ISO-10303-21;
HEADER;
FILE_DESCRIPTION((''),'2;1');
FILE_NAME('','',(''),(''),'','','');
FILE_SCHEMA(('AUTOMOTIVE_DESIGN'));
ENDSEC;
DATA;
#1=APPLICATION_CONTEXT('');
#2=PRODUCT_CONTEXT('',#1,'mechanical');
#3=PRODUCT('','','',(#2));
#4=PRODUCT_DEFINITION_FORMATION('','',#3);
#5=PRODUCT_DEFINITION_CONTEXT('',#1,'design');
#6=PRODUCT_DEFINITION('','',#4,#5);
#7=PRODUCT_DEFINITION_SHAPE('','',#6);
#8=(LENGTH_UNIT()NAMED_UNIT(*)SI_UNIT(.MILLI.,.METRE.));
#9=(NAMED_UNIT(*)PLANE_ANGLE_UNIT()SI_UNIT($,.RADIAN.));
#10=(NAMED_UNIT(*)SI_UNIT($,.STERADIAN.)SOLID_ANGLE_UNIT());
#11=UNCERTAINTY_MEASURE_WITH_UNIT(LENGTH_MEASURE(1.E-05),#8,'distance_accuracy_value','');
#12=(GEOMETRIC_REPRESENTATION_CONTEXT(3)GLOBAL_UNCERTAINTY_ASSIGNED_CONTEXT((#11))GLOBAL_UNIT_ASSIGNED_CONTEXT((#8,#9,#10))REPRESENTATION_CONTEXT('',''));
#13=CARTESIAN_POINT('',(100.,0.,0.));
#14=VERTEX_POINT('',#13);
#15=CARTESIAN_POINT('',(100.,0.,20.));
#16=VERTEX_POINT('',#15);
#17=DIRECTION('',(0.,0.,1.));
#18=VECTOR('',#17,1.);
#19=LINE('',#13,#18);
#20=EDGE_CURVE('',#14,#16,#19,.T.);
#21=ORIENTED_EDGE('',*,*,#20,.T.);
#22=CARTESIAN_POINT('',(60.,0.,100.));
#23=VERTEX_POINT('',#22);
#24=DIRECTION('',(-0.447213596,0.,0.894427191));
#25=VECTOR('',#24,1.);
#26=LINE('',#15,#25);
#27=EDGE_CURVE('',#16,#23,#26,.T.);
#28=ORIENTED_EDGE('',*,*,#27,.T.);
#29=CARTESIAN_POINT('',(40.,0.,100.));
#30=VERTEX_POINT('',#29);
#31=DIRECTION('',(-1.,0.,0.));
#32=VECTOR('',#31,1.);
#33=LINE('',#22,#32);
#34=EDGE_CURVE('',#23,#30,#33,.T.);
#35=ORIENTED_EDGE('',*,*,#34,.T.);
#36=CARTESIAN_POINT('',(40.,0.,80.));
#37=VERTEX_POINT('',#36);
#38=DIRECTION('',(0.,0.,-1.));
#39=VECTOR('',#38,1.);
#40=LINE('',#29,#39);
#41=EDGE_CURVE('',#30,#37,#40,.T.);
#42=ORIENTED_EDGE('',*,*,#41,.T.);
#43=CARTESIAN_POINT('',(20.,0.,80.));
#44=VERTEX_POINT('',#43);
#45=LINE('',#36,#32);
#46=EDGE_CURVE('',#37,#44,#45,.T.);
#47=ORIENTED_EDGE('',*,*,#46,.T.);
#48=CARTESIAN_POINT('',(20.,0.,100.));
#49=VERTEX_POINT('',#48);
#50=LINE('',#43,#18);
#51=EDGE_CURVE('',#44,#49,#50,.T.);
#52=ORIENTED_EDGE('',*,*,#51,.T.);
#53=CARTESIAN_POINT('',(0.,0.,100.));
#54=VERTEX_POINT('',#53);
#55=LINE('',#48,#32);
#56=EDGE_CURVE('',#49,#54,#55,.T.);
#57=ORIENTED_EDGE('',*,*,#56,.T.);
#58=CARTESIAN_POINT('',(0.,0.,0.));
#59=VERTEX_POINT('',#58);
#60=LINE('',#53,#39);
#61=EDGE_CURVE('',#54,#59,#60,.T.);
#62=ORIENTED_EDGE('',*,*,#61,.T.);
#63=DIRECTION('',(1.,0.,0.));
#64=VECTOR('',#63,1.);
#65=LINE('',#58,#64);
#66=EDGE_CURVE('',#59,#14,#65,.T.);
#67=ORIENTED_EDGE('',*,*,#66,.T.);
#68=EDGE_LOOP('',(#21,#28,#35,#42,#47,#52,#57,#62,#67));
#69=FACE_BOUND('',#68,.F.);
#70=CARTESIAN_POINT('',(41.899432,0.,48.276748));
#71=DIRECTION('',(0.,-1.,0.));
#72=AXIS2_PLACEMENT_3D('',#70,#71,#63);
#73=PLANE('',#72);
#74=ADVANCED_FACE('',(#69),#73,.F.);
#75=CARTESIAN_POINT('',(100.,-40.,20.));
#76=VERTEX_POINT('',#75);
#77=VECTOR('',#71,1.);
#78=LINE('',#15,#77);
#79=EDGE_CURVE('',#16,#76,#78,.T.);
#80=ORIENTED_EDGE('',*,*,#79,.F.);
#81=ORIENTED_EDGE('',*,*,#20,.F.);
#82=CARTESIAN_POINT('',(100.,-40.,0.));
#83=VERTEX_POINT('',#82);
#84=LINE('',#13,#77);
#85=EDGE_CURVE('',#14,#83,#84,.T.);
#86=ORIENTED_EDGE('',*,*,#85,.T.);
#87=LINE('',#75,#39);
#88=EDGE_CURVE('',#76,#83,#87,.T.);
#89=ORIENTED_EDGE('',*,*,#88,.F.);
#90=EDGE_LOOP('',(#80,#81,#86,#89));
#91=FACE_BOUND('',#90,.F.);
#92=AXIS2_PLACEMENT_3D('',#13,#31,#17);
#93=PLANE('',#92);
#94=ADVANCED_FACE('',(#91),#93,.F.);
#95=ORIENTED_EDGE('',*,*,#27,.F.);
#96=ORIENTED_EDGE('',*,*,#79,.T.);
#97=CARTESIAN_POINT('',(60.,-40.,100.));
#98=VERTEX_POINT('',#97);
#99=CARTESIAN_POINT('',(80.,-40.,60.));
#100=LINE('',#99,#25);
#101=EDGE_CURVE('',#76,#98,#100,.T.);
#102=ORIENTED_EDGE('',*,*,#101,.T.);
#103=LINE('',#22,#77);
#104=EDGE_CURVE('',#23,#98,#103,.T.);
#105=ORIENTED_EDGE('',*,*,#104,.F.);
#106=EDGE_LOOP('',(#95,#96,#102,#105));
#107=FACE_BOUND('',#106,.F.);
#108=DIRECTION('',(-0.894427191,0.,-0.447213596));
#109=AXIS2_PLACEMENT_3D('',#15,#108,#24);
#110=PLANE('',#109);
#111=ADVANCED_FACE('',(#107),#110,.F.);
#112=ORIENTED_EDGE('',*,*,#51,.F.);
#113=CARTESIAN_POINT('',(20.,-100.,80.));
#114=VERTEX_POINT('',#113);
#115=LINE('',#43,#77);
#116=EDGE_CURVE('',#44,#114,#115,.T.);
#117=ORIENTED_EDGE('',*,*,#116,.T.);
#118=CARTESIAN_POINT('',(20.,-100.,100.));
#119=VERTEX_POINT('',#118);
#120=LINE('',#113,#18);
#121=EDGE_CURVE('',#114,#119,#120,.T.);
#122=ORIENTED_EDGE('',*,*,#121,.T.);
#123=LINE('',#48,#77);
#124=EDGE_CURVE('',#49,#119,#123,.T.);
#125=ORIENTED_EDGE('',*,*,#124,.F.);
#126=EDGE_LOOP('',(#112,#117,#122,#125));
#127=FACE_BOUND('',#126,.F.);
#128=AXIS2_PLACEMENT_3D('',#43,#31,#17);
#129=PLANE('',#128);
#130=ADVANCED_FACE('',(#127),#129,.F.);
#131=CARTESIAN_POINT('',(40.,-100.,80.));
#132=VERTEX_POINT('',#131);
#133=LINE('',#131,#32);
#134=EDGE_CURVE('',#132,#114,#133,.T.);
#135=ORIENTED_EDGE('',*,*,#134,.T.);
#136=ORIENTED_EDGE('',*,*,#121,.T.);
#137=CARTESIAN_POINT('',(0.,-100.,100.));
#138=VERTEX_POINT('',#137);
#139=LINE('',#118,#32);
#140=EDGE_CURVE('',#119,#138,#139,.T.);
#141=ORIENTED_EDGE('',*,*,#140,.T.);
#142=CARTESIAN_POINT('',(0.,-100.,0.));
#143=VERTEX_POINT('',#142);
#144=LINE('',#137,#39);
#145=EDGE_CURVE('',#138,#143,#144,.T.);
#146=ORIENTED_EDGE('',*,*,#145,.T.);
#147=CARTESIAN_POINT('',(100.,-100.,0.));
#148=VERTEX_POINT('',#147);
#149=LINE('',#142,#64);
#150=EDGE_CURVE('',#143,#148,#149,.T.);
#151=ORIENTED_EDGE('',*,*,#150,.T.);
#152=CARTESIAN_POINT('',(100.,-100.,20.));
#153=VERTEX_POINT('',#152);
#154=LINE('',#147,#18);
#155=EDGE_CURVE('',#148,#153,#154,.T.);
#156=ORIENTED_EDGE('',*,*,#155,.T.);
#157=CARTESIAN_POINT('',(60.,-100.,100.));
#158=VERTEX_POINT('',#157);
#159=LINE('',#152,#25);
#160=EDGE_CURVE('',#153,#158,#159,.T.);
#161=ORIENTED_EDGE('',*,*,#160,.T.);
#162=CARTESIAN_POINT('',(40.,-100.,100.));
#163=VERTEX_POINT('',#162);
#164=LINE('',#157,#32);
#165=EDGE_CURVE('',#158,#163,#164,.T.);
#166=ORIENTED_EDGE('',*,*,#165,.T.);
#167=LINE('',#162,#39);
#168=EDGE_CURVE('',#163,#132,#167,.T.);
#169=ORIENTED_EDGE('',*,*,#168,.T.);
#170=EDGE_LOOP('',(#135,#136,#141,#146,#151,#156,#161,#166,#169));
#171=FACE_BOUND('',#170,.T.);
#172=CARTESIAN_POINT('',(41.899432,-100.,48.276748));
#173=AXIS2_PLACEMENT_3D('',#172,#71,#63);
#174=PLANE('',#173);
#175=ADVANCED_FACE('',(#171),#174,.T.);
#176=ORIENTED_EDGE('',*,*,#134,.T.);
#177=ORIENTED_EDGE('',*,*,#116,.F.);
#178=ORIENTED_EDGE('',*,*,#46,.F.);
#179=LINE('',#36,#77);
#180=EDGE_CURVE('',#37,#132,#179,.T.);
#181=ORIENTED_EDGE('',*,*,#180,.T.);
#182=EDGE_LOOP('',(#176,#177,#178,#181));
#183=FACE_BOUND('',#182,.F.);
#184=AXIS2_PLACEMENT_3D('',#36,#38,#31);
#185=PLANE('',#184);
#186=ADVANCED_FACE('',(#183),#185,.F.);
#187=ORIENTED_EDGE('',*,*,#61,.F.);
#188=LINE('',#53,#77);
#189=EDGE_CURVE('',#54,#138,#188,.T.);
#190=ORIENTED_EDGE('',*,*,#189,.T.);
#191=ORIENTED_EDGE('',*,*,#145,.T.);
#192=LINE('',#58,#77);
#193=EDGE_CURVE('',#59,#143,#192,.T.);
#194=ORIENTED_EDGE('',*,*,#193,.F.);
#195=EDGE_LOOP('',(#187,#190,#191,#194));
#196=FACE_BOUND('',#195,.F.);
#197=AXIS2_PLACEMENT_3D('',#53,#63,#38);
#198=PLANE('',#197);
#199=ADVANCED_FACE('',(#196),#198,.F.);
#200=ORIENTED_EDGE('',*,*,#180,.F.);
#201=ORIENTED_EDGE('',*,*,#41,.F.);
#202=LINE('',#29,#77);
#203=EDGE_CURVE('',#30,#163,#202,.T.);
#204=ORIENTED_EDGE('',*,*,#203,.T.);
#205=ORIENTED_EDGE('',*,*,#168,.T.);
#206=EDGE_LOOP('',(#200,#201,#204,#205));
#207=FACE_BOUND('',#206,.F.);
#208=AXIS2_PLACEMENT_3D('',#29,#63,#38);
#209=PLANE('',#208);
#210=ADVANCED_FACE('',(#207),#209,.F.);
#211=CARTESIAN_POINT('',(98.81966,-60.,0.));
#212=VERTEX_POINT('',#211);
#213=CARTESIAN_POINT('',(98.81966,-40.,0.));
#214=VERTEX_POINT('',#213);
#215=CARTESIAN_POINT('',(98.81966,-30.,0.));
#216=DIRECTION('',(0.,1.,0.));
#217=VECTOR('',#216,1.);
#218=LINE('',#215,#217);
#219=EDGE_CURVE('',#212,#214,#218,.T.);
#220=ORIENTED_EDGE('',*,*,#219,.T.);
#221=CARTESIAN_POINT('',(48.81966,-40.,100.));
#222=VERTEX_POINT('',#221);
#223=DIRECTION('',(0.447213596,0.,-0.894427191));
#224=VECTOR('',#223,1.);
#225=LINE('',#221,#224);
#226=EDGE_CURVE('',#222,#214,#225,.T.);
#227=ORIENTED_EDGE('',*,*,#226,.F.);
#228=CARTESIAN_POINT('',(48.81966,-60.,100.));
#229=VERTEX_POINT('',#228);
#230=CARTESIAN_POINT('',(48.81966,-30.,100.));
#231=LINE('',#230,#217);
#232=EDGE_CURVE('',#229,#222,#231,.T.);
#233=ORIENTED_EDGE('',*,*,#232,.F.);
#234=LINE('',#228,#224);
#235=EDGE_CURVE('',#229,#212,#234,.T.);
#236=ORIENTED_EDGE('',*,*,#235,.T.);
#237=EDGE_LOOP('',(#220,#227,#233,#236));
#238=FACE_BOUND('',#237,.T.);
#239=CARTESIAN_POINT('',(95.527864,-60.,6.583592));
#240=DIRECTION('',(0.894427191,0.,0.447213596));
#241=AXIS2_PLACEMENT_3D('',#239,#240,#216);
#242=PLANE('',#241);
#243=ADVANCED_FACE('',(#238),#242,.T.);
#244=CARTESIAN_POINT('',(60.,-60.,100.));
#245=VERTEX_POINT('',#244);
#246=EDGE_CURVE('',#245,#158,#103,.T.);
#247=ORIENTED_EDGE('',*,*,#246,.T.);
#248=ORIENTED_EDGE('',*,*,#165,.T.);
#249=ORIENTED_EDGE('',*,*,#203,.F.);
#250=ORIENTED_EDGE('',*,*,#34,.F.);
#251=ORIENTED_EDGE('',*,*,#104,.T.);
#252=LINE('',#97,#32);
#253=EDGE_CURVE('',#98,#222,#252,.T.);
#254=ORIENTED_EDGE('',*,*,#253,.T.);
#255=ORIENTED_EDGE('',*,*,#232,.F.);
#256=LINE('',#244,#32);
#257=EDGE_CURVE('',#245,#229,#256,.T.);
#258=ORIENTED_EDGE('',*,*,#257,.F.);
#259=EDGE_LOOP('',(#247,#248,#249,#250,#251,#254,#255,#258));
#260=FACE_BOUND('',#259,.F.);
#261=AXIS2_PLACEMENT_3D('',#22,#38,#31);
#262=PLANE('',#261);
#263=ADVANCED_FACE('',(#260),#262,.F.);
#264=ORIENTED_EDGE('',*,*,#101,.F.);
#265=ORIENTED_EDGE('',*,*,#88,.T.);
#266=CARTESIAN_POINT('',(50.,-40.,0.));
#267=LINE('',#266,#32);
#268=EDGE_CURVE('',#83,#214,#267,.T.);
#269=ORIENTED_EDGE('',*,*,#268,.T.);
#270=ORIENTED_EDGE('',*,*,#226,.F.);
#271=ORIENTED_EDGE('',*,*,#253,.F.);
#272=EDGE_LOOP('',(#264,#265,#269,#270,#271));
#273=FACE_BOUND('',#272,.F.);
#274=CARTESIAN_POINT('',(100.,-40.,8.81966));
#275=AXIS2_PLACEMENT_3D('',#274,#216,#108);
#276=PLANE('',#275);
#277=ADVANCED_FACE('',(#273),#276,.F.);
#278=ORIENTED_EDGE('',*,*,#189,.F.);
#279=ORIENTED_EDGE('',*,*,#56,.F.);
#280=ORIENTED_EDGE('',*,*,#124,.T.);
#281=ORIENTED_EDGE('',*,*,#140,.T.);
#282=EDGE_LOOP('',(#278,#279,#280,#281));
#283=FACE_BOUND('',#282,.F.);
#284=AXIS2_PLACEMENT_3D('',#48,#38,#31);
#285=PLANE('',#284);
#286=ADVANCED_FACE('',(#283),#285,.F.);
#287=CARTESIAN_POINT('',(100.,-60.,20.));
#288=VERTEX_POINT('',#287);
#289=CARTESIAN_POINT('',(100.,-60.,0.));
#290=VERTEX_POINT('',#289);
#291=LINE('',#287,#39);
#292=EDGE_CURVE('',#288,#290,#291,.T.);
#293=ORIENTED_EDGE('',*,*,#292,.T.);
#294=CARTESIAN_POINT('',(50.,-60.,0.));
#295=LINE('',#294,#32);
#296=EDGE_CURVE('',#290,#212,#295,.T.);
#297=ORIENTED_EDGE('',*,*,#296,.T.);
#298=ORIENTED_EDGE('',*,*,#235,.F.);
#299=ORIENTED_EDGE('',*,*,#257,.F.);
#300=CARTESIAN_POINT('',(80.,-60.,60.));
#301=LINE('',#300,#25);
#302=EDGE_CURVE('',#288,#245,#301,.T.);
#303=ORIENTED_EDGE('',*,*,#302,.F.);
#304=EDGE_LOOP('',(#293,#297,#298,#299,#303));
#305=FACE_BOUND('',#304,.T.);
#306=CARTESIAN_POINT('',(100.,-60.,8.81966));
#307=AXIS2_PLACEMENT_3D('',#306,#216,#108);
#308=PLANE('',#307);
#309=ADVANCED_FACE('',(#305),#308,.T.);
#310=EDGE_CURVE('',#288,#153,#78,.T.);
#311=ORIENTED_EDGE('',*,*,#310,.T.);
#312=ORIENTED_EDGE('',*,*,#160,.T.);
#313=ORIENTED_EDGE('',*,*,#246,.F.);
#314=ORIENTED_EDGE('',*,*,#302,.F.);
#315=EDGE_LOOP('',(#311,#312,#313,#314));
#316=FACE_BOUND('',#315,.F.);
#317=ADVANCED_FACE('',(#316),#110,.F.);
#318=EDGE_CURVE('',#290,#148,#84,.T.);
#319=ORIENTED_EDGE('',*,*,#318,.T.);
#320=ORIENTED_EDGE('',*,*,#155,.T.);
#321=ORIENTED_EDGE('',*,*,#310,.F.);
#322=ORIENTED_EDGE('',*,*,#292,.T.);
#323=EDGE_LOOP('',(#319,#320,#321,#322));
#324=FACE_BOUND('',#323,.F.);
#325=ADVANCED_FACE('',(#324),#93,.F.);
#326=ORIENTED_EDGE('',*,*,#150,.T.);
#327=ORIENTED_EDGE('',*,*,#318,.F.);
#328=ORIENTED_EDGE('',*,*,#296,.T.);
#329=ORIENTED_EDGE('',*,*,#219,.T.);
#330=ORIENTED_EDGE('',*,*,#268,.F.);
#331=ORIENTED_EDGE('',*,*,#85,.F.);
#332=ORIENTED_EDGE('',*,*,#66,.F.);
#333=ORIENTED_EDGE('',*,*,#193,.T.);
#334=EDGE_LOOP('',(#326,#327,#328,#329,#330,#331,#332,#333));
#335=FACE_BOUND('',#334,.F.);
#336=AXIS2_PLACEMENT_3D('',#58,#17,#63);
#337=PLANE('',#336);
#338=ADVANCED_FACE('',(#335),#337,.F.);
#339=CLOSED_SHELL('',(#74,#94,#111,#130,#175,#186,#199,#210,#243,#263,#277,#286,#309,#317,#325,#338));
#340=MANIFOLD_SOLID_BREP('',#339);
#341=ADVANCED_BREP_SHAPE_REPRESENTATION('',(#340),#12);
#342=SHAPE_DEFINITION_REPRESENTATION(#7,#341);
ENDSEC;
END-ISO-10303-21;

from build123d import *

# Parameters (mm, degrees)
F1_DEPTH = 100
F2_W     = 20
F2_H     = 89.4427191
F3_DEPTH = 10
F4_DEPTH = 10
F5_DEPTH = 10
F6_DEPTH = 10


with BuildPart() as f1:
    # F0 (on Front) → F1 (new body)
    with BuildSketch(Plane.XZ):
        Polygon((0, 100), (0, 0), (100, 0), (100, 20), (60, 100), (40, 100), (40, 80), (20, 80), (20, 100), align=None)
    extrude(amount=F1_DEPTH)

    # F2 (on face) → F3 (cut)
    with BuildSketch(Plane(origin=(88, 0, 44), x_dir=(0, 1, 0), z_dir=(0.894427191, 0, 0.4472135955))):
        with Locations((-50, 17.88854382)):
            Rectangle(F2_W, F2_H)
    extrude(amount=-F3_DEPTH, mode=Mode.SUBTRACT)

    # F4 (cut): a face of the model
    f4_faces = [f1.faces().sort_by_distance(p)[0] for p in [
        (55.527864045, -50, 97.7639320225),
    ]]
    extrude(f4_faces, amount=-F4_DEPTH, mode=Mode.SUBTRACT)

    # F5 (cut): a face of the model
    f5_faces = [f1.faces().sort_by_distance(p)[0] for p in [
        (95.527864045, -50, 17.7639320225),
    ]]
    extrude(f5_faces, amount=-F5_DEPTH, mode=Mode.SUBTRACT)

    # F6 (cut): a face of the model
    f6_faces = [f1.faces().sort_by_distance(p)[0] for p in [
        (97.7639320225, -50, 7.7016261238),
    ]]
    extrude(f6_faces, amount=-F6_DEPTH, mode=Mode.SUBTRACT)


solid = f1.part
